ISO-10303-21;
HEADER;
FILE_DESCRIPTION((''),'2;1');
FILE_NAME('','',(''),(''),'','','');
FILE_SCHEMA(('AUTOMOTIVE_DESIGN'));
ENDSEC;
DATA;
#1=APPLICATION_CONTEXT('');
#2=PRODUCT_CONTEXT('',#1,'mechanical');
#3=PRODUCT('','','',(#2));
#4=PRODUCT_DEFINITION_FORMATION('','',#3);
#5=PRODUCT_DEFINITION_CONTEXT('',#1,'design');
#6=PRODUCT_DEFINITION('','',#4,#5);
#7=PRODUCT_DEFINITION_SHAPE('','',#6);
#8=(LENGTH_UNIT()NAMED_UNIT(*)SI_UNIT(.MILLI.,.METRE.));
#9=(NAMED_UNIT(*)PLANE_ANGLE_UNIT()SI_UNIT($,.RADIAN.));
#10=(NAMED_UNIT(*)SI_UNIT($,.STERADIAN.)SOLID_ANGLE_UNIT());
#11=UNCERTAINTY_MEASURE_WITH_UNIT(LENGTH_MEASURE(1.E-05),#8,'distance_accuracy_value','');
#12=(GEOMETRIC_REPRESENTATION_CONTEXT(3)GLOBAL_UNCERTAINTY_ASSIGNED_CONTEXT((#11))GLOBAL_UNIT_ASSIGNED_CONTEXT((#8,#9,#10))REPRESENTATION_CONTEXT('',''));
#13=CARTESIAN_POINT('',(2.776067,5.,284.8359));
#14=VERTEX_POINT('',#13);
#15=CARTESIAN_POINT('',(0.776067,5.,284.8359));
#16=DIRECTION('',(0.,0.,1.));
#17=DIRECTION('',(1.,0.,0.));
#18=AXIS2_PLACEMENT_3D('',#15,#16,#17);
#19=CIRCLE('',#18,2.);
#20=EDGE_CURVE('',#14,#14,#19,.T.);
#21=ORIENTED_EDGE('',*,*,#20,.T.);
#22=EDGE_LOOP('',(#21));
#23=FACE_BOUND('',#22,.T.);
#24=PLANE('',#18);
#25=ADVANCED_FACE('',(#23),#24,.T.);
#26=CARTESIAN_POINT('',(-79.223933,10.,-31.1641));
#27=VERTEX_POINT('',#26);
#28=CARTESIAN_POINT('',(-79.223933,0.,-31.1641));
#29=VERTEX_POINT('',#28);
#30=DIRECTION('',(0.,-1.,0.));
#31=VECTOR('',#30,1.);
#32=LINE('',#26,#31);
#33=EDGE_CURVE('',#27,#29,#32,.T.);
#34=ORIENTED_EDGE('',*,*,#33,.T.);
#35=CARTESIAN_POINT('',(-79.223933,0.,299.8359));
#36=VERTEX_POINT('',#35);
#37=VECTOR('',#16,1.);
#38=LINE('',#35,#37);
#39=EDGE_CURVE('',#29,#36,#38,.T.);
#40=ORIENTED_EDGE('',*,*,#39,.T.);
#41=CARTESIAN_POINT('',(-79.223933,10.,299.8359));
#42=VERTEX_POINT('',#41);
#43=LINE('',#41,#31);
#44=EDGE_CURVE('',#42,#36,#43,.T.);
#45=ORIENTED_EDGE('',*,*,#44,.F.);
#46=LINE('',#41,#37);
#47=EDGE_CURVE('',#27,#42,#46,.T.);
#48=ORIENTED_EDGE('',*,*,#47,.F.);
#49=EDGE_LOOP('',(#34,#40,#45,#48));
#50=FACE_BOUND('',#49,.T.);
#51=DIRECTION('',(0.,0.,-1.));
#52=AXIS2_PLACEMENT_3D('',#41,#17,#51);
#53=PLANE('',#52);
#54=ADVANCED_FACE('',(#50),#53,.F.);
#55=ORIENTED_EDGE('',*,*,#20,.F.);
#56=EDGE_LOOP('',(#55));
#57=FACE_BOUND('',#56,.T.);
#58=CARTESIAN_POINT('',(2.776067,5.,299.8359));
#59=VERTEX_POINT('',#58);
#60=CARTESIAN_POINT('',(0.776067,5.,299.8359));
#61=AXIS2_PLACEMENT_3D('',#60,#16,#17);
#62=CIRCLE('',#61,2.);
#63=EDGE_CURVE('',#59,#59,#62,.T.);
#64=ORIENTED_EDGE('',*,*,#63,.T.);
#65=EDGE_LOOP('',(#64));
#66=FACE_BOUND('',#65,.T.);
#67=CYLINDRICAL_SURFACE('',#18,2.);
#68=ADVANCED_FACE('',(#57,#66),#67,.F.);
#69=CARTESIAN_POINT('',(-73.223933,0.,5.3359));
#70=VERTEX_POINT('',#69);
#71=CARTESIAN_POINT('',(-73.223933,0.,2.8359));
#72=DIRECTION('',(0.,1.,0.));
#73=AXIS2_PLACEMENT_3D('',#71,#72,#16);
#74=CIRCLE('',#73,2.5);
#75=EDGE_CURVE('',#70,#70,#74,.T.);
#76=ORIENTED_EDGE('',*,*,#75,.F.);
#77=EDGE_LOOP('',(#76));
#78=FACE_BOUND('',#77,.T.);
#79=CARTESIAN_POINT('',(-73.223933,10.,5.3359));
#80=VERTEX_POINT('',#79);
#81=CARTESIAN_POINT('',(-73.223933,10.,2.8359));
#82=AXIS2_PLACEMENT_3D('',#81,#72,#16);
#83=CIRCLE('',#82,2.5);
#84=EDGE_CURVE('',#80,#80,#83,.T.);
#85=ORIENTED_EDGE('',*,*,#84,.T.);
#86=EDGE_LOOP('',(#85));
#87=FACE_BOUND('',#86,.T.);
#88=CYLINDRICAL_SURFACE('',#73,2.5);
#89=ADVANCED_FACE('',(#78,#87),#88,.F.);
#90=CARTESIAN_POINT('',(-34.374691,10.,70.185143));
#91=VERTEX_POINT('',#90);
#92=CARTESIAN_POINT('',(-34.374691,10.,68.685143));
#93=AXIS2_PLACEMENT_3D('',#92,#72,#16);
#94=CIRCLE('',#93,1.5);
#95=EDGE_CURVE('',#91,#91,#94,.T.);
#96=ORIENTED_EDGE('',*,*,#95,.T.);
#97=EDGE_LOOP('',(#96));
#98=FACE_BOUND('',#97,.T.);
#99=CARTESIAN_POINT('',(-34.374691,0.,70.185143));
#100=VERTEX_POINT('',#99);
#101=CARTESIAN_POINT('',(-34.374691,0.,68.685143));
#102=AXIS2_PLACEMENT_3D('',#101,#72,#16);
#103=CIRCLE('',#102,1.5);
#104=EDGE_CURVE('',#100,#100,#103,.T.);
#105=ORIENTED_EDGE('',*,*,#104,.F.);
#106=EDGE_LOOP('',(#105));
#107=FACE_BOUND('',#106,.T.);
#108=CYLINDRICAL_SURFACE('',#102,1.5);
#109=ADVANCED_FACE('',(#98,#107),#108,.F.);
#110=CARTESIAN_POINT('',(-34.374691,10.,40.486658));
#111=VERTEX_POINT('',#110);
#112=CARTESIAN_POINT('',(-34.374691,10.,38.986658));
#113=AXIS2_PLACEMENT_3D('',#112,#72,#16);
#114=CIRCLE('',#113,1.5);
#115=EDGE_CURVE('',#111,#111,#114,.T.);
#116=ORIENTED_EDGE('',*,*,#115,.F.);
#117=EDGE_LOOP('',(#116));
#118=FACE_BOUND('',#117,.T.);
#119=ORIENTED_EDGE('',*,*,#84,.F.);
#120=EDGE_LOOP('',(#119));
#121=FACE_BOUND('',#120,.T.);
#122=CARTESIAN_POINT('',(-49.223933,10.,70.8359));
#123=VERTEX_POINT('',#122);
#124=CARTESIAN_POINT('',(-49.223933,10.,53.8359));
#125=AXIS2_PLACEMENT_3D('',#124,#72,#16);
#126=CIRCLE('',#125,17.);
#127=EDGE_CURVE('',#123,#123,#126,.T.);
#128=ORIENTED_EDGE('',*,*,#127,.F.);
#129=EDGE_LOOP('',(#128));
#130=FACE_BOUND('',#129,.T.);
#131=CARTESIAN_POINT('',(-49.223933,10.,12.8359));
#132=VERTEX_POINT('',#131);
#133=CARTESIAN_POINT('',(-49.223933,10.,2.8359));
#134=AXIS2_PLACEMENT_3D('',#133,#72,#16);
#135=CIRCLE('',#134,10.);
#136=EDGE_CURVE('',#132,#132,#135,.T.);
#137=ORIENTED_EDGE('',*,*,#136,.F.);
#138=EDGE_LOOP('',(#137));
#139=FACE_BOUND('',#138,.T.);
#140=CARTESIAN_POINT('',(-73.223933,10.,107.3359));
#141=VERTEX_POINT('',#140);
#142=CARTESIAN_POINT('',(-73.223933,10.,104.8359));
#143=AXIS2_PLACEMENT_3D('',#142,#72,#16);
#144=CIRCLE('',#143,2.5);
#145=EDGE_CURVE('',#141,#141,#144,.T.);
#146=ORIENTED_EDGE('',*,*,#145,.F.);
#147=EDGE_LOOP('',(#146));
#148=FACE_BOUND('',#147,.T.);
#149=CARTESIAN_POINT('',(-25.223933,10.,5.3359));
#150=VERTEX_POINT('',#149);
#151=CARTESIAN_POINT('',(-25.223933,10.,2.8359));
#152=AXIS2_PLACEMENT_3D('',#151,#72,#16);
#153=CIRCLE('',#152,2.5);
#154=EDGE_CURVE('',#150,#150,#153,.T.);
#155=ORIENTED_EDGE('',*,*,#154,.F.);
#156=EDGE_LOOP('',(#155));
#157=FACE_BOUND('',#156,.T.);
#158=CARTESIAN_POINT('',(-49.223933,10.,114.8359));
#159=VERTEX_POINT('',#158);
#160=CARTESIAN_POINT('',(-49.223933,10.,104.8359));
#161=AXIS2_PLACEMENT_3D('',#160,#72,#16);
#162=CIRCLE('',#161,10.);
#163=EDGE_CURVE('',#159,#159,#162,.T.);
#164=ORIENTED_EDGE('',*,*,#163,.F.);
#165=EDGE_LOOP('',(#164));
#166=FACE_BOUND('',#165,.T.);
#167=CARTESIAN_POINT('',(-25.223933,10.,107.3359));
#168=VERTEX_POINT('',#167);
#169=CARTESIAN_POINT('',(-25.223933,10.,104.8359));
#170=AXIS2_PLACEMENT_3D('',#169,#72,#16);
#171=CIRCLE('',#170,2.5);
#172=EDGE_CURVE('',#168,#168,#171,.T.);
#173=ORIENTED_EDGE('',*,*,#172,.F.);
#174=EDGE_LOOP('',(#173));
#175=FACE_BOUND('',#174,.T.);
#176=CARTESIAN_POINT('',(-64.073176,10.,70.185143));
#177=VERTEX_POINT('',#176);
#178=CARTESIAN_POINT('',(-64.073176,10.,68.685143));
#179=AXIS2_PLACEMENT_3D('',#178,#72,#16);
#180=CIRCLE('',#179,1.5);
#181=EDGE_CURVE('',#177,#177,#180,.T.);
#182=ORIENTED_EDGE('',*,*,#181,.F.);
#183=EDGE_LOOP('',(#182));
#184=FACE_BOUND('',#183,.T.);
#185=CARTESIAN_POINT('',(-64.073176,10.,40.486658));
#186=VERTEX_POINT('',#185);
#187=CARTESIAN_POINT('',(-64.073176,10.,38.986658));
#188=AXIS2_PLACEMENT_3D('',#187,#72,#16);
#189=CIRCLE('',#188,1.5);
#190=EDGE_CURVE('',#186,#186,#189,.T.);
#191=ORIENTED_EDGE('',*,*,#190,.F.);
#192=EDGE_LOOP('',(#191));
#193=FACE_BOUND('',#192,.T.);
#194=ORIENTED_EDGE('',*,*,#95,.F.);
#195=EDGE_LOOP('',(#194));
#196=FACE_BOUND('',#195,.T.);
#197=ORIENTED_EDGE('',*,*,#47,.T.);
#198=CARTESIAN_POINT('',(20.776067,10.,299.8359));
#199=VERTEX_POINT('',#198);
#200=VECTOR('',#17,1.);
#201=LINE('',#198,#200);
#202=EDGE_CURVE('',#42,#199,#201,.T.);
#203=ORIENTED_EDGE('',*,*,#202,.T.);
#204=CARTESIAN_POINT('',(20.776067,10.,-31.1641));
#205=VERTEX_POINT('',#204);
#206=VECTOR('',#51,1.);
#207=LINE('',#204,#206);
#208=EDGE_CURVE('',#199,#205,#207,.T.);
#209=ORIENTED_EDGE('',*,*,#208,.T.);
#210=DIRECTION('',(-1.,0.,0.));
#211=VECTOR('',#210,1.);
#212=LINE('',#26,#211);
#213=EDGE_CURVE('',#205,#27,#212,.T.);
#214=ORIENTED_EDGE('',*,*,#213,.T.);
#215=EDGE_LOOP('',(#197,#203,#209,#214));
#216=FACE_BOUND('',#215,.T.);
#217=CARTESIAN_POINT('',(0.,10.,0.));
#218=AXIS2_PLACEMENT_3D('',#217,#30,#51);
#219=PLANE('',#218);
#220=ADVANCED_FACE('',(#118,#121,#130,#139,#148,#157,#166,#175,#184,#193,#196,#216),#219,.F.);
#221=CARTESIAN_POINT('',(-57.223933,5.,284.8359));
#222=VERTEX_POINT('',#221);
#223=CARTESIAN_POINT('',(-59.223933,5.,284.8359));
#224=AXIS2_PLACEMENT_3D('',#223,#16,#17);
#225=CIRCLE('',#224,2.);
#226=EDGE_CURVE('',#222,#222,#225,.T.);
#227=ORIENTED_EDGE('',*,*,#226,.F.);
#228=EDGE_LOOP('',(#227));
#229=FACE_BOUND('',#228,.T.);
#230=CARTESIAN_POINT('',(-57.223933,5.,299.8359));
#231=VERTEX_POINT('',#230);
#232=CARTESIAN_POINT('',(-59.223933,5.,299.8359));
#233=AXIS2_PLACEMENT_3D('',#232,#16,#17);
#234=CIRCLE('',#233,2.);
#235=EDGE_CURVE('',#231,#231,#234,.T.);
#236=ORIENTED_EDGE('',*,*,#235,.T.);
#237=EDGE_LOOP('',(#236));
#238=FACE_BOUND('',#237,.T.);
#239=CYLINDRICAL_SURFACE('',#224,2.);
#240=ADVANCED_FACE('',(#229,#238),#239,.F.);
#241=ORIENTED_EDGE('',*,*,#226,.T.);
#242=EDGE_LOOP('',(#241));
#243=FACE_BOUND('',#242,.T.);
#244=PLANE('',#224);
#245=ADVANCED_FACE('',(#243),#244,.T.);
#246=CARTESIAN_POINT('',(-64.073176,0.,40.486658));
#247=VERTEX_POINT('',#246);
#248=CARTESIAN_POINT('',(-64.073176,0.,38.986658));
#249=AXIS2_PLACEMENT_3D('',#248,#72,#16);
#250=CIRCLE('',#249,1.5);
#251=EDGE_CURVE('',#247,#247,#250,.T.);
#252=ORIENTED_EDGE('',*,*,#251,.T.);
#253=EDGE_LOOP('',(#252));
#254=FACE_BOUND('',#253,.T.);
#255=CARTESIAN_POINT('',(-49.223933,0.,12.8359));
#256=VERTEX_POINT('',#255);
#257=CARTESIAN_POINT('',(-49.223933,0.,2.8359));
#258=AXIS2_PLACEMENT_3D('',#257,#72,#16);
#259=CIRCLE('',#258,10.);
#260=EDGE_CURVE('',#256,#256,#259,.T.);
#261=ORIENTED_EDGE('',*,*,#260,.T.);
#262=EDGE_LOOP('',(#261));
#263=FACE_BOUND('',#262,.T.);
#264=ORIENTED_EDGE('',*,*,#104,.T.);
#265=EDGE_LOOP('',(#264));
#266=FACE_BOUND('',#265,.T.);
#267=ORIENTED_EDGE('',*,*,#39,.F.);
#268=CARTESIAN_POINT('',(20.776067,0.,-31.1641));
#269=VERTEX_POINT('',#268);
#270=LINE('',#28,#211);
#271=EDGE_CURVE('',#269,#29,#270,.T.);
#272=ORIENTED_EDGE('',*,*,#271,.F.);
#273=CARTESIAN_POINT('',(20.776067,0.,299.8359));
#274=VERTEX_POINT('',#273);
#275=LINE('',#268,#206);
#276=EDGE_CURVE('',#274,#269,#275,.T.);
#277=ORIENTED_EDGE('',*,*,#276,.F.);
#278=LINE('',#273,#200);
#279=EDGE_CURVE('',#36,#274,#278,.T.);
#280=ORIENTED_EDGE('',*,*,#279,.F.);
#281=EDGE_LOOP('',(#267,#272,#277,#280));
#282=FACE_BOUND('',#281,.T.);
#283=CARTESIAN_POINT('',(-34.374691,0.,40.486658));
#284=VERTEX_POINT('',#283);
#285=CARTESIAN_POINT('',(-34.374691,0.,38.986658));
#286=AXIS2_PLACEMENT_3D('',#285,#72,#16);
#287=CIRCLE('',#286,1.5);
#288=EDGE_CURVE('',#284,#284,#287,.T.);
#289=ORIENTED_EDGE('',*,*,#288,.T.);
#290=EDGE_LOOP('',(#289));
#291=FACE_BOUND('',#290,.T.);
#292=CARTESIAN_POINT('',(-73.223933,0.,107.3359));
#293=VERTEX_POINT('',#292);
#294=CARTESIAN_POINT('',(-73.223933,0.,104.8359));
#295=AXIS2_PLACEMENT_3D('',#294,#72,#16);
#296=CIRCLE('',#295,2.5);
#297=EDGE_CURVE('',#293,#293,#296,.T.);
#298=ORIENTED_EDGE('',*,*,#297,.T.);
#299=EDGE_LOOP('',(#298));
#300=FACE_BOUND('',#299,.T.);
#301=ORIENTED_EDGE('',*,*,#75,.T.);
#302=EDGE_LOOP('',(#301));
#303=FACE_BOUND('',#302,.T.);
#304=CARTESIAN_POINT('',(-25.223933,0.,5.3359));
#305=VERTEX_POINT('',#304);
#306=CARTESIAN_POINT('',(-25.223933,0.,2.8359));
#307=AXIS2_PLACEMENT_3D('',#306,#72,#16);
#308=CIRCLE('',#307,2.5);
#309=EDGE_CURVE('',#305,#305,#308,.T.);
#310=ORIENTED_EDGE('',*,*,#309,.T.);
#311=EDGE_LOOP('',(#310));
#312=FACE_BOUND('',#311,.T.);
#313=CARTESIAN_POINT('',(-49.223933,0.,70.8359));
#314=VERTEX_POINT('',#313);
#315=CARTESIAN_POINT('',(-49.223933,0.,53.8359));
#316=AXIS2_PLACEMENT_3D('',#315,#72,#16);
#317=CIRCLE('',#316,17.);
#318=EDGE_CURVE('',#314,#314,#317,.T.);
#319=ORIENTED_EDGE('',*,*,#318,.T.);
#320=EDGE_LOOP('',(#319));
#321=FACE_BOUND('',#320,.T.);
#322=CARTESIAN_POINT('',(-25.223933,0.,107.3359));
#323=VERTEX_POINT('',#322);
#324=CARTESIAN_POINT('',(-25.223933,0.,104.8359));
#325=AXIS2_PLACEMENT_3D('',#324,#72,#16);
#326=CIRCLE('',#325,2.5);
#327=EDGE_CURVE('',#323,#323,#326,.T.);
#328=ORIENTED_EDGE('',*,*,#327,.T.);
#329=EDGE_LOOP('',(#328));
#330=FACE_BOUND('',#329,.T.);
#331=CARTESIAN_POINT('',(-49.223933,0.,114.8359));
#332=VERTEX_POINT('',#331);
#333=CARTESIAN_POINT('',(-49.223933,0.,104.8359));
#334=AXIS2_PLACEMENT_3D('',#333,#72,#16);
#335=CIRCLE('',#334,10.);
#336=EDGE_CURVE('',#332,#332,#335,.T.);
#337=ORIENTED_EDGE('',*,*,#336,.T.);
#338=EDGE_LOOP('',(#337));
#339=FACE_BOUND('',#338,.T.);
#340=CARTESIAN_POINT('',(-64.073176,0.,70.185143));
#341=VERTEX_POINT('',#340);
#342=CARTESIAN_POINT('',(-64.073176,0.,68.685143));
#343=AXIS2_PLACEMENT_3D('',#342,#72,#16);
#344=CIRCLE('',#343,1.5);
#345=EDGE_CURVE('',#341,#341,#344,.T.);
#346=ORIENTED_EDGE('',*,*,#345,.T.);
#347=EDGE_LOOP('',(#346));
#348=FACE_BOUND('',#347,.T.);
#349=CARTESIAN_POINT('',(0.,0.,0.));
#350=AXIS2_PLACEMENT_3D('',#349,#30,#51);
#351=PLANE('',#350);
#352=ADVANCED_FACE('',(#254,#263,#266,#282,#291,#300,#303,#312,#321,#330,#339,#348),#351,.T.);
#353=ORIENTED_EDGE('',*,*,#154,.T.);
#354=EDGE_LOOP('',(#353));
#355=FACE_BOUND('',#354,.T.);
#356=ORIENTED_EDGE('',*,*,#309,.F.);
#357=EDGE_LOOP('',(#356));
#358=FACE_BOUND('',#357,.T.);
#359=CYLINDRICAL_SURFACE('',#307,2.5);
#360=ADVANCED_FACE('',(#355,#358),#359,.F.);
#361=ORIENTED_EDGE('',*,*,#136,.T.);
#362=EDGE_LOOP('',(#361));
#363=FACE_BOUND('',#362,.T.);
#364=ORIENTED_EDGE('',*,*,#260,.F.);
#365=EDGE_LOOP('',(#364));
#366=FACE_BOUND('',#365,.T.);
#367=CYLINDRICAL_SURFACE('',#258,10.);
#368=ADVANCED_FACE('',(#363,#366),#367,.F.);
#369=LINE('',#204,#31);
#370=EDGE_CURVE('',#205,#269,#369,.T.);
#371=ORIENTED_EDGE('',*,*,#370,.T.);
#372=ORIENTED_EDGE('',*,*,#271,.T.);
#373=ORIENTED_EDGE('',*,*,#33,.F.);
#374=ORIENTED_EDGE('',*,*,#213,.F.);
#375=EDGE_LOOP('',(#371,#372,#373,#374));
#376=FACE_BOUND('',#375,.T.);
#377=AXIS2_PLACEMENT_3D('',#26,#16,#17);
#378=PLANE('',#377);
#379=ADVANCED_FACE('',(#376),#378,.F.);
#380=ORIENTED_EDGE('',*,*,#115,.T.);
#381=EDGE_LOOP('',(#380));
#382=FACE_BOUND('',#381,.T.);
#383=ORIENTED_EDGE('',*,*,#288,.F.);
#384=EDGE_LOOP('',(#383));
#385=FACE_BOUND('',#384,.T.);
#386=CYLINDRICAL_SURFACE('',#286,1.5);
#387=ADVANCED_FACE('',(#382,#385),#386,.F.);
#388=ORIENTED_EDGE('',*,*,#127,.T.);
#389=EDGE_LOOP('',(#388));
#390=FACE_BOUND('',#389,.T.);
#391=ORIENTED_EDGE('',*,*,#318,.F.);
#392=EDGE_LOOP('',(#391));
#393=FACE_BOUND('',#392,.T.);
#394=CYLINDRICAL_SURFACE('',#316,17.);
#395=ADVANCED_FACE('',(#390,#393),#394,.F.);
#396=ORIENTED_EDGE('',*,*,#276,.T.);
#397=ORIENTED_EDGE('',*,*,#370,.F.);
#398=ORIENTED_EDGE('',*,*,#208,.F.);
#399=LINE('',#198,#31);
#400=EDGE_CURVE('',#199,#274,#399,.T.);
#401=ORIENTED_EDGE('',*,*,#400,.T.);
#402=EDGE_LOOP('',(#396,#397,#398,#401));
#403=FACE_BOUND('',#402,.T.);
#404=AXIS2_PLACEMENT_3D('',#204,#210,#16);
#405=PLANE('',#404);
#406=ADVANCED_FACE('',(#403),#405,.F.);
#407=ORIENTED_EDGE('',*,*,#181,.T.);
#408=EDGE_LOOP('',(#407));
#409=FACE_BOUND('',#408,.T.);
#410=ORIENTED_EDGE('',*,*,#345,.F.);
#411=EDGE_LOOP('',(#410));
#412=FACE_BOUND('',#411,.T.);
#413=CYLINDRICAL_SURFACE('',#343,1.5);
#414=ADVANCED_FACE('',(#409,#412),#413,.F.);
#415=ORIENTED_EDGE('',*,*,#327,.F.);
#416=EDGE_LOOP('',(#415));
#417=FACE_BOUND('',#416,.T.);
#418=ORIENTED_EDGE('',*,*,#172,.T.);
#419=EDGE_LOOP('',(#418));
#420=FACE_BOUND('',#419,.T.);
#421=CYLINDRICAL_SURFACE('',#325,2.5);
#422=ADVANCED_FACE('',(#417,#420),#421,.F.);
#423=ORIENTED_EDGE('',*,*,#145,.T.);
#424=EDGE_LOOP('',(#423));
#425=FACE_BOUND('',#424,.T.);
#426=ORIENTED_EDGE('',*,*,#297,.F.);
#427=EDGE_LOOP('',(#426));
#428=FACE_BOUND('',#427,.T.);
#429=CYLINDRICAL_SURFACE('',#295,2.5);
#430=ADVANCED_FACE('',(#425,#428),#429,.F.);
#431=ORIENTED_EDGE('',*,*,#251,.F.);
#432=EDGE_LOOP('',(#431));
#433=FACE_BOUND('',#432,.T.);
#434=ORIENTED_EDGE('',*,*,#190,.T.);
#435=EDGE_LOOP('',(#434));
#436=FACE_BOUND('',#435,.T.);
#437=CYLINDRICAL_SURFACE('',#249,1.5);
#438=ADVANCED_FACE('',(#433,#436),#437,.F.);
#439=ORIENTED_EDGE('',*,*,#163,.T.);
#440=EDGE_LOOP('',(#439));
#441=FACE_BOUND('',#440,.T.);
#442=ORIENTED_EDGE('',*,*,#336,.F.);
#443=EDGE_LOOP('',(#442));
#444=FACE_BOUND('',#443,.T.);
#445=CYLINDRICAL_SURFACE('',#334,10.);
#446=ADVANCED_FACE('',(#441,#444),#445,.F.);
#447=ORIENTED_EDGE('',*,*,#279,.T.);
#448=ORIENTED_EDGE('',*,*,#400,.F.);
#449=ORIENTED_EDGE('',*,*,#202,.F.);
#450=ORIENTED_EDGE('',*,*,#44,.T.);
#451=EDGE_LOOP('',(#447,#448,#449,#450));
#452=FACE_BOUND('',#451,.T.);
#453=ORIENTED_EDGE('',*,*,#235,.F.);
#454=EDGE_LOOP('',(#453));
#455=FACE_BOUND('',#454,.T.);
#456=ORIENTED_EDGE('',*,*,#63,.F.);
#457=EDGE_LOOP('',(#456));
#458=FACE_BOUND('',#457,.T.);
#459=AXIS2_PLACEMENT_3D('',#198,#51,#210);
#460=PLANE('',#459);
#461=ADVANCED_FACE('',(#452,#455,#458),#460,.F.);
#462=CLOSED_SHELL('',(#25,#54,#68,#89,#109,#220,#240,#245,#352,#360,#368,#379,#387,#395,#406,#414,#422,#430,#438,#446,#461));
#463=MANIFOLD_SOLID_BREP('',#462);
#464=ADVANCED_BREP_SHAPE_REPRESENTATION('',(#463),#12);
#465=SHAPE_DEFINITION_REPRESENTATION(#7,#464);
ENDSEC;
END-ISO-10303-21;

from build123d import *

# Parameters (mm, degrees)
SKETCH1_W           = 100
SKETCH1_H           = 331
BOSS_EXTRUDE1_DEPTH = 10
SKETCH2_R           = 10
SKETCH2_R_2         = 2.5
SKETCH2_R_3         = 17
SKETCH2_R_4         = 1.5
CUT_EXTRUDE1_DEPTH  = 311.286961886
SKETCH3_R           = 2
CUT_EXTRUDE2_DEPTH  = 15


with BuildPart() as part:
    # Sketch1 → Boss-Extrude1 (new body)
    with BuildSketch(Plane(origin=(0, 0, 0), x_dir=(1, 0, 0), z_dir=(0, 1, 0))):
        with Locations((-29.223933498, -134.335900248)):
            Rectangle(SKETCH1_W, SKETCH1_H)
    extrude(amount=BOSS_EXTRUDE1_DEPTH)

    # Sketch2 → Cut-Extrude1 (cut, through all)
    with BuildSketch(Plane(origin=(0, 10, 0), x_dir=(1, 0, 0), z_dir=(0, 1, 0))):
        with Locations(Location((-49.223933498, -2.835900248, 0), (0, 0, 270))):
            Circle(SKETCH2_R)
        with Locations(Location((-73.223933498, -2.835900248, 0), (0, 0, 270))):
            Circle(SKETCH2_R_2)
        with Locations(Location((-25.223933498, -2.835900248, 0), (0, 0, 270))):
            Circle(SKETCH2_R_2)
        with Locations(Location((-49.223933498, -104.835900248, 0), (0, 0, 270))):
            Circle(SKETCH2_R)
        with Locations(Location((-73.223933498, -104.835900248, 0), (0, 0, 270))):
            Circle(SKETCH2_R_2)
        with Locations(Location((-25.223933498, -104.835900248, 0), (0, 0, 270))):
            Circle(SKETCH2_R_2)
        with Locations(Location((-49.223933498, -53.835900248, 0), (0, 0, 270))):
            Circle(SKETCH2_R_3)
        with Locations(Location((-64.073175903, -38.986657843, 0), (0, 0, 270))):
            Circle(SKETCH2_R_4)
        with Locations(Location((-34.374691094, -38.986657843, 0), (0, 0, 270))):
            Circle(SKETCH2_R_4)
        with Locations(Location((-34.374691094, -68.685142653, 0), (0, 0, 270))):
            Circle(SKETCH2_R_4)
        with Locations(Location((-64.073175903, -68.685142653, 0), (0, 0, 270))):
            Circle(SKETCH2_R_4)
    extrude(amount=-CUT_EXTRUDE1_DEPTH, mode=Mode.SUBTRACT)

    # Sketch3 → Cut-Extrude2 (cut)
    with BuildSketch(Plane.XY.offset(299.835900248)):
        with Locations((-59.223933498, 5)):
            Circle(SKETCH3_R)
        with Locations((0.776066502, 5)):
            Circle(SKETCH3_R)
    extrude(amount=-CUT_EXTRUDE2_DEPTH, mode=Mode.SUBTRACT)


solid = part.part
